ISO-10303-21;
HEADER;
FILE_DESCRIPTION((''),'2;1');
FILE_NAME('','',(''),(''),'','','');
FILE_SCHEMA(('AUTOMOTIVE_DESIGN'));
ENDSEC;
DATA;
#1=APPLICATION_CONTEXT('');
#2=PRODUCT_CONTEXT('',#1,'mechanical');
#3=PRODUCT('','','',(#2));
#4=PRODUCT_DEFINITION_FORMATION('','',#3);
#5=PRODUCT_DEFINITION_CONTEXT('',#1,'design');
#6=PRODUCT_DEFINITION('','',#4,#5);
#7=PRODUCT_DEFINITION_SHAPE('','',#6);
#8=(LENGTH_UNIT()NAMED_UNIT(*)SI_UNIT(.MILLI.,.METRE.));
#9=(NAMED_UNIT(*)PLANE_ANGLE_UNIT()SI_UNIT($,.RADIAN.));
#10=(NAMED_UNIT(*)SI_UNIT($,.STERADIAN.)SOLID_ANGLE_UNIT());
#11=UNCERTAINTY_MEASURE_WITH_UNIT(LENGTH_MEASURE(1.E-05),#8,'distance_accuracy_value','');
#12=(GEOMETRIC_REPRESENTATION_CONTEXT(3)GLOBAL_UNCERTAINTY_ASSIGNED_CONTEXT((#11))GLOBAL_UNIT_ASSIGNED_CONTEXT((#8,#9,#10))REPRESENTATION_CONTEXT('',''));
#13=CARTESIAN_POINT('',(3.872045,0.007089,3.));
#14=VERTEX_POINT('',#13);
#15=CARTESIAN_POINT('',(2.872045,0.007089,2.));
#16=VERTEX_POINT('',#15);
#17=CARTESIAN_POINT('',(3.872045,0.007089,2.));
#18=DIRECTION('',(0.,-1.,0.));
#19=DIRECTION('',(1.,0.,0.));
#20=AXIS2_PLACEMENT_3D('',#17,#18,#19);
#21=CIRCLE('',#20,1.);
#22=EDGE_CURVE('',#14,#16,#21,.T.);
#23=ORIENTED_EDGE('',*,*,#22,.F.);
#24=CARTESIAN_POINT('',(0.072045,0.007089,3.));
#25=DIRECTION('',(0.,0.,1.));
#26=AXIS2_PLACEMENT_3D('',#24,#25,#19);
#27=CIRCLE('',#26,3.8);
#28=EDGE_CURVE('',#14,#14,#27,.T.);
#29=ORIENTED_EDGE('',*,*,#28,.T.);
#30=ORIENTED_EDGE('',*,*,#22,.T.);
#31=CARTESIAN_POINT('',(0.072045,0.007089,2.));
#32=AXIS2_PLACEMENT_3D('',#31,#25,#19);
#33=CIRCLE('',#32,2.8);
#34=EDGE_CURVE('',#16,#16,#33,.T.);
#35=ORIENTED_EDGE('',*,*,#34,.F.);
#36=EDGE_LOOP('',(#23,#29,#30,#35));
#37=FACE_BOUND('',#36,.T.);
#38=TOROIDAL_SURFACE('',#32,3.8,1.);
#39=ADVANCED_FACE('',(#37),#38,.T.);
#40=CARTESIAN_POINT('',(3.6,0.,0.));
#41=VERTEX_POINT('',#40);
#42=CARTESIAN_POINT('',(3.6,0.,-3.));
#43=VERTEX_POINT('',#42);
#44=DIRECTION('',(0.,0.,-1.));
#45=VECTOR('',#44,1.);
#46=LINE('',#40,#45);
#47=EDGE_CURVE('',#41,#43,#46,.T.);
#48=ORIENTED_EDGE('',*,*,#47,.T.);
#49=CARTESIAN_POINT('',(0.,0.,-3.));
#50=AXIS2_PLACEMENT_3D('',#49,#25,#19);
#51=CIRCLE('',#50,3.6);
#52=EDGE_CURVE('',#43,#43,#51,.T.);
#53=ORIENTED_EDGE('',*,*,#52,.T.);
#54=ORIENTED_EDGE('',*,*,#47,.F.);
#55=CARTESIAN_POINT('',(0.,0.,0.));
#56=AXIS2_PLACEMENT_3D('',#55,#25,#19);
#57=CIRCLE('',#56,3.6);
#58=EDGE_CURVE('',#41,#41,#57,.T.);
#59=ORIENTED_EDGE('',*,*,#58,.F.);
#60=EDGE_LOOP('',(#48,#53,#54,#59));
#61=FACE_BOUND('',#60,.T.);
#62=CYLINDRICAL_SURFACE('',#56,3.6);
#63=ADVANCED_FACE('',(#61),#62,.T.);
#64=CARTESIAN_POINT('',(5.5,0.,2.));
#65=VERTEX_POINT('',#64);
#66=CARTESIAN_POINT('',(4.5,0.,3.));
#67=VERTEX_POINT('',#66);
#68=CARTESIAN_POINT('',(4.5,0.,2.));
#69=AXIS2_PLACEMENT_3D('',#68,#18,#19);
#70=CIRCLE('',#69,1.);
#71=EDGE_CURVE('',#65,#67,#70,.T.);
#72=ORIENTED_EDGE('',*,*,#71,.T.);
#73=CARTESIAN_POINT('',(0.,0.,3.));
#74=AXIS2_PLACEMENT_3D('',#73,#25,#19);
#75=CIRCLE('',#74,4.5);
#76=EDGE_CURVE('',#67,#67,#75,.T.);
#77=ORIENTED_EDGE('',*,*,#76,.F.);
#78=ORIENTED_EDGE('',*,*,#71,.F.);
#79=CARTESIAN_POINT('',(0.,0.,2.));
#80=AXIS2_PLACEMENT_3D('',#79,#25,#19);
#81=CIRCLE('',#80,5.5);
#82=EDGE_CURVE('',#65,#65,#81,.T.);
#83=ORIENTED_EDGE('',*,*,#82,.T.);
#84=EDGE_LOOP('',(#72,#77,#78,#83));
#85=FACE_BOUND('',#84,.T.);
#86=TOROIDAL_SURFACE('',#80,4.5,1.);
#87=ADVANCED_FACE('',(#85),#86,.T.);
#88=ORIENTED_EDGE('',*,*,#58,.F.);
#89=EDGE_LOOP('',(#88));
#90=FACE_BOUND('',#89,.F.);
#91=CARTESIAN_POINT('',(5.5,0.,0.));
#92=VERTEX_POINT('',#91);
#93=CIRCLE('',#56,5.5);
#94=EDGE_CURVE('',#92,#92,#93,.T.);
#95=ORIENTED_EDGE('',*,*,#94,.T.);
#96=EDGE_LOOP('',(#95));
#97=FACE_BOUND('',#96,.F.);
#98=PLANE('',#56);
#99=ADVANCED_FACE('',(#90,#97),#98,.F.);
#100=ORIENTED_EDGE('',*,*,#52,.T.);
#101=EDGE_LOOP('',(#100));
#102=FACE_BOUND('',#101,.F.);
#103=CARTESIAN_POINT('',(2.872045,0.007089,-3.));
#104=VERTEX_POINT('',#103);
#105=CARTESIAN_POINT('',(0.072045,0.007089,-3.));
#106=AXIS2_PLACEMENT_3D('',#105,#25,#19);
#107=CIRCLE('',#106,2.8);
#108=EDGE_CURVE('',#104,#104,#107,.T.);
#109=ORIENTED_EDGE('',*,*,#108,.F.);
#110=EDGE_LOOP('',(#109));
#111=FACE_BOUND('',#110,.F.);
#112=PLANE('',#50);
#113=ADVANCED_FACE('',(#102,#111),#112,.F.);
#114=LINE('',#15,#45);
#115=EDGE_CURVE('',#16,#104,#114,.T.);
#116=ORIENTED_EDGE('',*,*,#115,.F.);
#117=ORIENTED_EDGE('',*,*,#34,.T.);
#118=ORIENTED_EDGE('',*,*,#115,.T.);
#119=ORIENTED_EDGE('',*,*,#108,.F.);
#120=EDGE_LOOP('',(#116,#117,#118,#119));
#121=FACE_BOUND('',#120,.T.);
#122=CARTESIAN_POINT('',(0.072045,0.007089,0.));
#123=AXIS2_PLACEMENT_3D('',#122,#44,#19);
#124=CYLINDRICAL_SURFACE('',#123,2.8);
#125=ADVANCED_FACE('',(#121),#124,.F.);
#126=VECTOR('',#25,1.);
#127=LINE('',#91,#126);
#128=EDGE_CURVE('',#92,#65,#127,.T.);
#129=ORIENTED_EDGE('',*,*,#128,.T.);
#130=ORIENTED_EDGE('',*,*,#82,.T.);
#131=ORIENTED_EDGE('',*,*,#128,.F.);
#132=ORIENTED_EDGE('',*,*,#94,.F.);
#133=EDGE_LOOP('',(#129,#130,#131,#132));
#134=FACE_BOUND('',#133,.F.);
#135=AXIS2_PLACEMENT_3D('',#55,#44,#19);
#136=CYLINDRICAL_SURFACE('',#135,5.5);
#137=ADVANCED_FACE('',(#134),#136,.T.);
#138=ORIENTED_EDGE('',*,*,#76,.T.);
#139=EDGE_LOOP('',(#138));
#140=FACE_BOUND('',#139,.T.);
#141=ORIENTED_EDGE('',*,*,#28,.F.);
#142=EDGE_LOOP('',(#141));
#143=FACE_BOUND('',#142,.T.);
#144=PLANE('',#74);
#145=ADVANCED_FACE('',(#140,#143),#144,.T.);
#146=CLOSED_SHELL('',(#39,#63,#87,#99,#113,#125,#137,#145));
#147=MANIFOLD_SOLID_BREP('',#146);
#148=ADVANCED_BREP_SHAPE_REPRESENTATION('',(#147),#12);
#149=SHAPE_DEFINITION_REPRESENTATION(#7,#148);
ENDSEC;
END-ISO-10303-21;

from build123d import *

# Parameters (mm, degrees)
F0_R     = 5.5
F0_R_2   = 3.6
F0_R_3   = 2.8
F1_DEPTH = 3
F2_DEPTH = 3
F3_R     = 1


with BuildPart() as f1:
    # F0 (on Top) → F1 (new body)
    with BuildSketch(Plane.XY):
        Circle(F0_R)
        Circle(F0_R_2, mode=Mode.SUBTRACT)
        Circle(F0_R_2)
        with Locations((0.072045, 0.007089)):
            Circle(F0_R_3, mode=Mode.SUBTRACT)
    extrude(amount=F1_DEPTH)

    # F0 (on Top) → F2 (join)
    with BuildSketch(Plane.XY):
        Circle(F0_R_2)
        with Locations((0.072045, 0.007089)):
            Circle(F0_R_3, mode=Mode.SUBTRACT)
    extrude(amount=-F2_DEPTH)

    # F3
    f3_edges = [f1.edges().sort_by_distance(p)[0] for p in [
        (-2.727955, 0.007089, 3),
        (-5.5, 0, 3),
    ]]
    fillet(f3_edges, radius=F3_R)


solid = f1.part
